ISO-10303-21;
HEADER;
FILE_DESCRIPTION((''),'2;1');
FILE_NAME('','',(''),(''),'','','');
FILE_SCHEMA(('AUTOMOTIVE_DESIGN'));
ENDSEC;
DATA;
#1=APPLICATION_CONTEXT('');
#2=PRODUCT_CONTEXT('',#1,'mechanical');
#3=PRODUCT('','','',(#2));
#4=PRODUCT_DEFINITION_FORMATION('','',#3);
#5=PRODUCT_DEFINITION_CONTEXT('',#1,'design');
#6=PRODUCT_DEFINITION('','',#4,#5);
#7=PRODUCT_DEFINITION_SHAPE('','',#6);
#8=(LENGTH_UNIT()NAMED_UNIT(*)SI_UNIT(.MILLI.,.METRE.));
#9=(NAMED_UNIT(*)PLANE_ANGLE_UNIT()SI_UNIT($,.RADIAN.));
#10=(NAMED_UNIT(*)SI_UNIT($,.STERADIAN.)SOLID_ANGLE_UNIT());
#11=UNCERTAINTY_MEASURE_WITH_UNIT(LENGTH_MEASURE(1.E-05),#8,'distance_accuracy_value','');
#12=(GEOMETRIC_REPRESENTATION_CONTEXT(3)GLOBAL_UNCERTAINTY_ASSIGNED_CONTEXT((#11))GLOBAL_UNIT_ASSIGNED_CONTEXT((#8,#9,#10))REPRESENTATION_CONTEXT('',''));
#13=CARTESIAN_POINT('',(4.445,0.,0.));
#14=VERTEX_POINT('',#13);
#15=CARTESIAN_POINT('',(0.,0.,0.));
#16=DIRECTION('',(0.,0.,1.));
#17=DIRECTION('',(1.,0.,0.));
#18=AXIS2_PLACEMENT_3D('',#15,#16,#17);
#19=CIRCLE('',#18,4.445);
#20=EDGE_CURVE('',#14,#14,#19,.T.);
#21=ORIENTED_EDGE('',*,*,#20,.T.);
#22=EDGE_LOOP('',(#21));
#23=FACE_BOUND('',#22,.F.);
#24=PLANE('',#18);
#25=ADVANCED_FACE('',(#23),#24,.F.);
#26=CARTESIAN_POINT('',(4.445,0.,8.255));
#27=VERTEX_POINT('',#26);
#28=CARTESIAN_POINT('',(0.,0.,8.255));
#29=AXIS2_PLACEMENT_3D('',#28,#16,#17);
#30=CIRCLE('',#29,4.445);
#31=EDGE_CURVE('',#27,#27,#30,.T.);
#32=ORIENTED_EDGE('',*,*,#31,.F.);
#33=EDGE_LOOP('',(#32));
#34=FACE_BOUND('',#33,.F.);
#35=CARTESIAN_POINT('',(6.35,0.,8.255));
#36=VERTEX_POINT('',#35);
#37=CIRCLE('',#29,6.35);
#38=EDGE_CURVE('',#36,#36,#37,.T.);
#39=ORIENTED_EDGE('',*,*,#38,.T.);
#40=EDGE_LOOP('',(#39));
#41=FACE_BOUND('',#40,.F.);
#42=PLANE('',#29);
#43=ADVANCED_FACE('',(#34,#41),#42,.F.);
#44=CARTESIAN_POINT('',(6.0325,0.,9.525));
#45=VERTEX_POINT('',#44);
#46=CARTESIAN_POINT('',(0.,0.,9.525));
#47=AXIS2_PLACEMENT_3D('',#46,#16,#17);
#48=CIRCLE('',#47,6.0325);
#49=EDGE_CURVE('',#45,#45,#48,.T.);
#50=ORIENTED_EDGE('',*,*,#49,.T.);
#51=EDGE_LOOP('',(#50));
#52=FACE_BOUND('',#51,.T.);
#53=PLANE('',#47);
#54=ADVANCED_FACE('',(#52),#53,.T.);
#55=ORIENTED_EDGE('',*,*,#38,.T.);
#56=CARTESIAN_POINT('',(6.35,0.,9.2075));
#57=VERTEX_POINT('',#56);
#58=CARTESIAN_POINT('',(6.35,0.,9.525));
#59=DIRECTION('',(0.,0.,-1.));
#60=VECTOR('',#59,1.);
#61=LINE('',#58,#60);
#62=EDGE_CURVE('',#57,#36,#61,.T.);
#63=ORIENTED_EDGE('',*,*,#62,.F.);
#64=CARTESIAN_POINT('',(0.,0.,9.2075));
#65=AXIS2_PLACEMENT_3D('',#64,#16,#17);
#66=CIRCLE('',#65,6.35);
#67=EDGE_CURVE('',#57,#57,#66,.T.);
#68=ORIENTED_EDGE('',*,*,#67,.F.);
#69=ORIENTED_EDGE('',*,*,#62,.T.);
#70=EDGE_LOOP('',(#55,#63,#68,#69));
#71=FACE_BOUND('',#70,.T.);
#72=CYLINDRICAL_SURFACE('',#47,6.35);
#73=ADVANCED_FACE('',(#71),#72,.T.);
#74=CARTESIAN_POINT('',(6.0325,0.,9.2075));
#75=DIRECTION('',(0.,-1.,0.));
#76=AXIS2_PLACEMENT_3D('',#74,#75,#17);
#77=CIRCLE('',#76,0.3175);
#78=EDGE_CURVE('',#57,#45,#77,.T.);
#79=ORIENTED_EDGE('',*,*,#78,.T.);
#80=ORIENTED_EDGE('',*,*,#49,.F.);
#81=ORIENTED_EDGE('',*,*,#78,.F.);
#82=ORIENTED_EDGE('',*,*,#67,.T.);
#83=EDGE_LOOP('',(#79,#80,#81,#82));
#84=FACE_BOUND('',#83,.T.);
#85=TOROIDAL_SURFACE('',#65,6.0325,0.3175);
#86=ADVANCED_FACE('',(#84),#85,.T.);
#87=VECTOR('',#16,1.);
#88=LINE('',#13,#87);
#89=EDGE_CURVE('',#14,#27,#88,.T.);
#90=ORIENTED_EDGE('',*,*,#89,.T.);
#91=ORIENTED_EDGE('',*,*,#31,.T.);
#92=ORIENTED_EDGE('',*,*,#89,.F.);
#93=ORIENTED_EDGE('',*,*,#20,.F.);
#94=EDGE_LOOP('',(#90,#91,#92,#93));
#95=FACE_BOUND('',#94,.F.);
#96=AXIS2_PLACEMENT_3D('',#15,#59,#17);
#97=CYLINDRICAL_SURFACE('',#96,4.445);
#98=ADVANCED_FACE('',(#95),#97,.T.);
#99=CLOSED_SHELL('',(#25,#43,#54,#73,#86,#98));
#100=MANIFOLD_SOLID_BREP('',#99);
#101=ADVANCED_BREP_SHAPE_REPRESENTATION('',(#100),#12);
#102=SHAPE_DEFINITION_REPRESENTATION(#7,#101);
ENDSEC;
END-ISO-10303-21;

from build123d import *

# Parameters (mm, degrees)
F0_R     = 4.445
F1_DEPTH = 9.525
F2_R     = 6.35
F2_R_2   = 4.445
F3_DEPTH = 1.27
F4_R     = 0.3175


with BuildPart() as f1:
    # F0 (on Top) → F1 (new body)
    with BuildSketch(Plane.XY):
        Circle(F0_R)
    extrude(amount=F1_DEPTH)

    # F2 (on face) → F3 (join)
    with BuildSketch(Plane.XY.offset(9.525)):
        Circle(F2_R)
        Circle(F2_R_2, mode=Mode.SUBTRACT)
    extrude(amount=-F3_DEPTH)

    # F4
    f4_edges = [f1.edges().sort_by_distance(p)[0] for p in [
        (-6.35, 0, 9.525),
    ]]
    fillet(f4_edges, radius=F4_R)


solid = f1.part
